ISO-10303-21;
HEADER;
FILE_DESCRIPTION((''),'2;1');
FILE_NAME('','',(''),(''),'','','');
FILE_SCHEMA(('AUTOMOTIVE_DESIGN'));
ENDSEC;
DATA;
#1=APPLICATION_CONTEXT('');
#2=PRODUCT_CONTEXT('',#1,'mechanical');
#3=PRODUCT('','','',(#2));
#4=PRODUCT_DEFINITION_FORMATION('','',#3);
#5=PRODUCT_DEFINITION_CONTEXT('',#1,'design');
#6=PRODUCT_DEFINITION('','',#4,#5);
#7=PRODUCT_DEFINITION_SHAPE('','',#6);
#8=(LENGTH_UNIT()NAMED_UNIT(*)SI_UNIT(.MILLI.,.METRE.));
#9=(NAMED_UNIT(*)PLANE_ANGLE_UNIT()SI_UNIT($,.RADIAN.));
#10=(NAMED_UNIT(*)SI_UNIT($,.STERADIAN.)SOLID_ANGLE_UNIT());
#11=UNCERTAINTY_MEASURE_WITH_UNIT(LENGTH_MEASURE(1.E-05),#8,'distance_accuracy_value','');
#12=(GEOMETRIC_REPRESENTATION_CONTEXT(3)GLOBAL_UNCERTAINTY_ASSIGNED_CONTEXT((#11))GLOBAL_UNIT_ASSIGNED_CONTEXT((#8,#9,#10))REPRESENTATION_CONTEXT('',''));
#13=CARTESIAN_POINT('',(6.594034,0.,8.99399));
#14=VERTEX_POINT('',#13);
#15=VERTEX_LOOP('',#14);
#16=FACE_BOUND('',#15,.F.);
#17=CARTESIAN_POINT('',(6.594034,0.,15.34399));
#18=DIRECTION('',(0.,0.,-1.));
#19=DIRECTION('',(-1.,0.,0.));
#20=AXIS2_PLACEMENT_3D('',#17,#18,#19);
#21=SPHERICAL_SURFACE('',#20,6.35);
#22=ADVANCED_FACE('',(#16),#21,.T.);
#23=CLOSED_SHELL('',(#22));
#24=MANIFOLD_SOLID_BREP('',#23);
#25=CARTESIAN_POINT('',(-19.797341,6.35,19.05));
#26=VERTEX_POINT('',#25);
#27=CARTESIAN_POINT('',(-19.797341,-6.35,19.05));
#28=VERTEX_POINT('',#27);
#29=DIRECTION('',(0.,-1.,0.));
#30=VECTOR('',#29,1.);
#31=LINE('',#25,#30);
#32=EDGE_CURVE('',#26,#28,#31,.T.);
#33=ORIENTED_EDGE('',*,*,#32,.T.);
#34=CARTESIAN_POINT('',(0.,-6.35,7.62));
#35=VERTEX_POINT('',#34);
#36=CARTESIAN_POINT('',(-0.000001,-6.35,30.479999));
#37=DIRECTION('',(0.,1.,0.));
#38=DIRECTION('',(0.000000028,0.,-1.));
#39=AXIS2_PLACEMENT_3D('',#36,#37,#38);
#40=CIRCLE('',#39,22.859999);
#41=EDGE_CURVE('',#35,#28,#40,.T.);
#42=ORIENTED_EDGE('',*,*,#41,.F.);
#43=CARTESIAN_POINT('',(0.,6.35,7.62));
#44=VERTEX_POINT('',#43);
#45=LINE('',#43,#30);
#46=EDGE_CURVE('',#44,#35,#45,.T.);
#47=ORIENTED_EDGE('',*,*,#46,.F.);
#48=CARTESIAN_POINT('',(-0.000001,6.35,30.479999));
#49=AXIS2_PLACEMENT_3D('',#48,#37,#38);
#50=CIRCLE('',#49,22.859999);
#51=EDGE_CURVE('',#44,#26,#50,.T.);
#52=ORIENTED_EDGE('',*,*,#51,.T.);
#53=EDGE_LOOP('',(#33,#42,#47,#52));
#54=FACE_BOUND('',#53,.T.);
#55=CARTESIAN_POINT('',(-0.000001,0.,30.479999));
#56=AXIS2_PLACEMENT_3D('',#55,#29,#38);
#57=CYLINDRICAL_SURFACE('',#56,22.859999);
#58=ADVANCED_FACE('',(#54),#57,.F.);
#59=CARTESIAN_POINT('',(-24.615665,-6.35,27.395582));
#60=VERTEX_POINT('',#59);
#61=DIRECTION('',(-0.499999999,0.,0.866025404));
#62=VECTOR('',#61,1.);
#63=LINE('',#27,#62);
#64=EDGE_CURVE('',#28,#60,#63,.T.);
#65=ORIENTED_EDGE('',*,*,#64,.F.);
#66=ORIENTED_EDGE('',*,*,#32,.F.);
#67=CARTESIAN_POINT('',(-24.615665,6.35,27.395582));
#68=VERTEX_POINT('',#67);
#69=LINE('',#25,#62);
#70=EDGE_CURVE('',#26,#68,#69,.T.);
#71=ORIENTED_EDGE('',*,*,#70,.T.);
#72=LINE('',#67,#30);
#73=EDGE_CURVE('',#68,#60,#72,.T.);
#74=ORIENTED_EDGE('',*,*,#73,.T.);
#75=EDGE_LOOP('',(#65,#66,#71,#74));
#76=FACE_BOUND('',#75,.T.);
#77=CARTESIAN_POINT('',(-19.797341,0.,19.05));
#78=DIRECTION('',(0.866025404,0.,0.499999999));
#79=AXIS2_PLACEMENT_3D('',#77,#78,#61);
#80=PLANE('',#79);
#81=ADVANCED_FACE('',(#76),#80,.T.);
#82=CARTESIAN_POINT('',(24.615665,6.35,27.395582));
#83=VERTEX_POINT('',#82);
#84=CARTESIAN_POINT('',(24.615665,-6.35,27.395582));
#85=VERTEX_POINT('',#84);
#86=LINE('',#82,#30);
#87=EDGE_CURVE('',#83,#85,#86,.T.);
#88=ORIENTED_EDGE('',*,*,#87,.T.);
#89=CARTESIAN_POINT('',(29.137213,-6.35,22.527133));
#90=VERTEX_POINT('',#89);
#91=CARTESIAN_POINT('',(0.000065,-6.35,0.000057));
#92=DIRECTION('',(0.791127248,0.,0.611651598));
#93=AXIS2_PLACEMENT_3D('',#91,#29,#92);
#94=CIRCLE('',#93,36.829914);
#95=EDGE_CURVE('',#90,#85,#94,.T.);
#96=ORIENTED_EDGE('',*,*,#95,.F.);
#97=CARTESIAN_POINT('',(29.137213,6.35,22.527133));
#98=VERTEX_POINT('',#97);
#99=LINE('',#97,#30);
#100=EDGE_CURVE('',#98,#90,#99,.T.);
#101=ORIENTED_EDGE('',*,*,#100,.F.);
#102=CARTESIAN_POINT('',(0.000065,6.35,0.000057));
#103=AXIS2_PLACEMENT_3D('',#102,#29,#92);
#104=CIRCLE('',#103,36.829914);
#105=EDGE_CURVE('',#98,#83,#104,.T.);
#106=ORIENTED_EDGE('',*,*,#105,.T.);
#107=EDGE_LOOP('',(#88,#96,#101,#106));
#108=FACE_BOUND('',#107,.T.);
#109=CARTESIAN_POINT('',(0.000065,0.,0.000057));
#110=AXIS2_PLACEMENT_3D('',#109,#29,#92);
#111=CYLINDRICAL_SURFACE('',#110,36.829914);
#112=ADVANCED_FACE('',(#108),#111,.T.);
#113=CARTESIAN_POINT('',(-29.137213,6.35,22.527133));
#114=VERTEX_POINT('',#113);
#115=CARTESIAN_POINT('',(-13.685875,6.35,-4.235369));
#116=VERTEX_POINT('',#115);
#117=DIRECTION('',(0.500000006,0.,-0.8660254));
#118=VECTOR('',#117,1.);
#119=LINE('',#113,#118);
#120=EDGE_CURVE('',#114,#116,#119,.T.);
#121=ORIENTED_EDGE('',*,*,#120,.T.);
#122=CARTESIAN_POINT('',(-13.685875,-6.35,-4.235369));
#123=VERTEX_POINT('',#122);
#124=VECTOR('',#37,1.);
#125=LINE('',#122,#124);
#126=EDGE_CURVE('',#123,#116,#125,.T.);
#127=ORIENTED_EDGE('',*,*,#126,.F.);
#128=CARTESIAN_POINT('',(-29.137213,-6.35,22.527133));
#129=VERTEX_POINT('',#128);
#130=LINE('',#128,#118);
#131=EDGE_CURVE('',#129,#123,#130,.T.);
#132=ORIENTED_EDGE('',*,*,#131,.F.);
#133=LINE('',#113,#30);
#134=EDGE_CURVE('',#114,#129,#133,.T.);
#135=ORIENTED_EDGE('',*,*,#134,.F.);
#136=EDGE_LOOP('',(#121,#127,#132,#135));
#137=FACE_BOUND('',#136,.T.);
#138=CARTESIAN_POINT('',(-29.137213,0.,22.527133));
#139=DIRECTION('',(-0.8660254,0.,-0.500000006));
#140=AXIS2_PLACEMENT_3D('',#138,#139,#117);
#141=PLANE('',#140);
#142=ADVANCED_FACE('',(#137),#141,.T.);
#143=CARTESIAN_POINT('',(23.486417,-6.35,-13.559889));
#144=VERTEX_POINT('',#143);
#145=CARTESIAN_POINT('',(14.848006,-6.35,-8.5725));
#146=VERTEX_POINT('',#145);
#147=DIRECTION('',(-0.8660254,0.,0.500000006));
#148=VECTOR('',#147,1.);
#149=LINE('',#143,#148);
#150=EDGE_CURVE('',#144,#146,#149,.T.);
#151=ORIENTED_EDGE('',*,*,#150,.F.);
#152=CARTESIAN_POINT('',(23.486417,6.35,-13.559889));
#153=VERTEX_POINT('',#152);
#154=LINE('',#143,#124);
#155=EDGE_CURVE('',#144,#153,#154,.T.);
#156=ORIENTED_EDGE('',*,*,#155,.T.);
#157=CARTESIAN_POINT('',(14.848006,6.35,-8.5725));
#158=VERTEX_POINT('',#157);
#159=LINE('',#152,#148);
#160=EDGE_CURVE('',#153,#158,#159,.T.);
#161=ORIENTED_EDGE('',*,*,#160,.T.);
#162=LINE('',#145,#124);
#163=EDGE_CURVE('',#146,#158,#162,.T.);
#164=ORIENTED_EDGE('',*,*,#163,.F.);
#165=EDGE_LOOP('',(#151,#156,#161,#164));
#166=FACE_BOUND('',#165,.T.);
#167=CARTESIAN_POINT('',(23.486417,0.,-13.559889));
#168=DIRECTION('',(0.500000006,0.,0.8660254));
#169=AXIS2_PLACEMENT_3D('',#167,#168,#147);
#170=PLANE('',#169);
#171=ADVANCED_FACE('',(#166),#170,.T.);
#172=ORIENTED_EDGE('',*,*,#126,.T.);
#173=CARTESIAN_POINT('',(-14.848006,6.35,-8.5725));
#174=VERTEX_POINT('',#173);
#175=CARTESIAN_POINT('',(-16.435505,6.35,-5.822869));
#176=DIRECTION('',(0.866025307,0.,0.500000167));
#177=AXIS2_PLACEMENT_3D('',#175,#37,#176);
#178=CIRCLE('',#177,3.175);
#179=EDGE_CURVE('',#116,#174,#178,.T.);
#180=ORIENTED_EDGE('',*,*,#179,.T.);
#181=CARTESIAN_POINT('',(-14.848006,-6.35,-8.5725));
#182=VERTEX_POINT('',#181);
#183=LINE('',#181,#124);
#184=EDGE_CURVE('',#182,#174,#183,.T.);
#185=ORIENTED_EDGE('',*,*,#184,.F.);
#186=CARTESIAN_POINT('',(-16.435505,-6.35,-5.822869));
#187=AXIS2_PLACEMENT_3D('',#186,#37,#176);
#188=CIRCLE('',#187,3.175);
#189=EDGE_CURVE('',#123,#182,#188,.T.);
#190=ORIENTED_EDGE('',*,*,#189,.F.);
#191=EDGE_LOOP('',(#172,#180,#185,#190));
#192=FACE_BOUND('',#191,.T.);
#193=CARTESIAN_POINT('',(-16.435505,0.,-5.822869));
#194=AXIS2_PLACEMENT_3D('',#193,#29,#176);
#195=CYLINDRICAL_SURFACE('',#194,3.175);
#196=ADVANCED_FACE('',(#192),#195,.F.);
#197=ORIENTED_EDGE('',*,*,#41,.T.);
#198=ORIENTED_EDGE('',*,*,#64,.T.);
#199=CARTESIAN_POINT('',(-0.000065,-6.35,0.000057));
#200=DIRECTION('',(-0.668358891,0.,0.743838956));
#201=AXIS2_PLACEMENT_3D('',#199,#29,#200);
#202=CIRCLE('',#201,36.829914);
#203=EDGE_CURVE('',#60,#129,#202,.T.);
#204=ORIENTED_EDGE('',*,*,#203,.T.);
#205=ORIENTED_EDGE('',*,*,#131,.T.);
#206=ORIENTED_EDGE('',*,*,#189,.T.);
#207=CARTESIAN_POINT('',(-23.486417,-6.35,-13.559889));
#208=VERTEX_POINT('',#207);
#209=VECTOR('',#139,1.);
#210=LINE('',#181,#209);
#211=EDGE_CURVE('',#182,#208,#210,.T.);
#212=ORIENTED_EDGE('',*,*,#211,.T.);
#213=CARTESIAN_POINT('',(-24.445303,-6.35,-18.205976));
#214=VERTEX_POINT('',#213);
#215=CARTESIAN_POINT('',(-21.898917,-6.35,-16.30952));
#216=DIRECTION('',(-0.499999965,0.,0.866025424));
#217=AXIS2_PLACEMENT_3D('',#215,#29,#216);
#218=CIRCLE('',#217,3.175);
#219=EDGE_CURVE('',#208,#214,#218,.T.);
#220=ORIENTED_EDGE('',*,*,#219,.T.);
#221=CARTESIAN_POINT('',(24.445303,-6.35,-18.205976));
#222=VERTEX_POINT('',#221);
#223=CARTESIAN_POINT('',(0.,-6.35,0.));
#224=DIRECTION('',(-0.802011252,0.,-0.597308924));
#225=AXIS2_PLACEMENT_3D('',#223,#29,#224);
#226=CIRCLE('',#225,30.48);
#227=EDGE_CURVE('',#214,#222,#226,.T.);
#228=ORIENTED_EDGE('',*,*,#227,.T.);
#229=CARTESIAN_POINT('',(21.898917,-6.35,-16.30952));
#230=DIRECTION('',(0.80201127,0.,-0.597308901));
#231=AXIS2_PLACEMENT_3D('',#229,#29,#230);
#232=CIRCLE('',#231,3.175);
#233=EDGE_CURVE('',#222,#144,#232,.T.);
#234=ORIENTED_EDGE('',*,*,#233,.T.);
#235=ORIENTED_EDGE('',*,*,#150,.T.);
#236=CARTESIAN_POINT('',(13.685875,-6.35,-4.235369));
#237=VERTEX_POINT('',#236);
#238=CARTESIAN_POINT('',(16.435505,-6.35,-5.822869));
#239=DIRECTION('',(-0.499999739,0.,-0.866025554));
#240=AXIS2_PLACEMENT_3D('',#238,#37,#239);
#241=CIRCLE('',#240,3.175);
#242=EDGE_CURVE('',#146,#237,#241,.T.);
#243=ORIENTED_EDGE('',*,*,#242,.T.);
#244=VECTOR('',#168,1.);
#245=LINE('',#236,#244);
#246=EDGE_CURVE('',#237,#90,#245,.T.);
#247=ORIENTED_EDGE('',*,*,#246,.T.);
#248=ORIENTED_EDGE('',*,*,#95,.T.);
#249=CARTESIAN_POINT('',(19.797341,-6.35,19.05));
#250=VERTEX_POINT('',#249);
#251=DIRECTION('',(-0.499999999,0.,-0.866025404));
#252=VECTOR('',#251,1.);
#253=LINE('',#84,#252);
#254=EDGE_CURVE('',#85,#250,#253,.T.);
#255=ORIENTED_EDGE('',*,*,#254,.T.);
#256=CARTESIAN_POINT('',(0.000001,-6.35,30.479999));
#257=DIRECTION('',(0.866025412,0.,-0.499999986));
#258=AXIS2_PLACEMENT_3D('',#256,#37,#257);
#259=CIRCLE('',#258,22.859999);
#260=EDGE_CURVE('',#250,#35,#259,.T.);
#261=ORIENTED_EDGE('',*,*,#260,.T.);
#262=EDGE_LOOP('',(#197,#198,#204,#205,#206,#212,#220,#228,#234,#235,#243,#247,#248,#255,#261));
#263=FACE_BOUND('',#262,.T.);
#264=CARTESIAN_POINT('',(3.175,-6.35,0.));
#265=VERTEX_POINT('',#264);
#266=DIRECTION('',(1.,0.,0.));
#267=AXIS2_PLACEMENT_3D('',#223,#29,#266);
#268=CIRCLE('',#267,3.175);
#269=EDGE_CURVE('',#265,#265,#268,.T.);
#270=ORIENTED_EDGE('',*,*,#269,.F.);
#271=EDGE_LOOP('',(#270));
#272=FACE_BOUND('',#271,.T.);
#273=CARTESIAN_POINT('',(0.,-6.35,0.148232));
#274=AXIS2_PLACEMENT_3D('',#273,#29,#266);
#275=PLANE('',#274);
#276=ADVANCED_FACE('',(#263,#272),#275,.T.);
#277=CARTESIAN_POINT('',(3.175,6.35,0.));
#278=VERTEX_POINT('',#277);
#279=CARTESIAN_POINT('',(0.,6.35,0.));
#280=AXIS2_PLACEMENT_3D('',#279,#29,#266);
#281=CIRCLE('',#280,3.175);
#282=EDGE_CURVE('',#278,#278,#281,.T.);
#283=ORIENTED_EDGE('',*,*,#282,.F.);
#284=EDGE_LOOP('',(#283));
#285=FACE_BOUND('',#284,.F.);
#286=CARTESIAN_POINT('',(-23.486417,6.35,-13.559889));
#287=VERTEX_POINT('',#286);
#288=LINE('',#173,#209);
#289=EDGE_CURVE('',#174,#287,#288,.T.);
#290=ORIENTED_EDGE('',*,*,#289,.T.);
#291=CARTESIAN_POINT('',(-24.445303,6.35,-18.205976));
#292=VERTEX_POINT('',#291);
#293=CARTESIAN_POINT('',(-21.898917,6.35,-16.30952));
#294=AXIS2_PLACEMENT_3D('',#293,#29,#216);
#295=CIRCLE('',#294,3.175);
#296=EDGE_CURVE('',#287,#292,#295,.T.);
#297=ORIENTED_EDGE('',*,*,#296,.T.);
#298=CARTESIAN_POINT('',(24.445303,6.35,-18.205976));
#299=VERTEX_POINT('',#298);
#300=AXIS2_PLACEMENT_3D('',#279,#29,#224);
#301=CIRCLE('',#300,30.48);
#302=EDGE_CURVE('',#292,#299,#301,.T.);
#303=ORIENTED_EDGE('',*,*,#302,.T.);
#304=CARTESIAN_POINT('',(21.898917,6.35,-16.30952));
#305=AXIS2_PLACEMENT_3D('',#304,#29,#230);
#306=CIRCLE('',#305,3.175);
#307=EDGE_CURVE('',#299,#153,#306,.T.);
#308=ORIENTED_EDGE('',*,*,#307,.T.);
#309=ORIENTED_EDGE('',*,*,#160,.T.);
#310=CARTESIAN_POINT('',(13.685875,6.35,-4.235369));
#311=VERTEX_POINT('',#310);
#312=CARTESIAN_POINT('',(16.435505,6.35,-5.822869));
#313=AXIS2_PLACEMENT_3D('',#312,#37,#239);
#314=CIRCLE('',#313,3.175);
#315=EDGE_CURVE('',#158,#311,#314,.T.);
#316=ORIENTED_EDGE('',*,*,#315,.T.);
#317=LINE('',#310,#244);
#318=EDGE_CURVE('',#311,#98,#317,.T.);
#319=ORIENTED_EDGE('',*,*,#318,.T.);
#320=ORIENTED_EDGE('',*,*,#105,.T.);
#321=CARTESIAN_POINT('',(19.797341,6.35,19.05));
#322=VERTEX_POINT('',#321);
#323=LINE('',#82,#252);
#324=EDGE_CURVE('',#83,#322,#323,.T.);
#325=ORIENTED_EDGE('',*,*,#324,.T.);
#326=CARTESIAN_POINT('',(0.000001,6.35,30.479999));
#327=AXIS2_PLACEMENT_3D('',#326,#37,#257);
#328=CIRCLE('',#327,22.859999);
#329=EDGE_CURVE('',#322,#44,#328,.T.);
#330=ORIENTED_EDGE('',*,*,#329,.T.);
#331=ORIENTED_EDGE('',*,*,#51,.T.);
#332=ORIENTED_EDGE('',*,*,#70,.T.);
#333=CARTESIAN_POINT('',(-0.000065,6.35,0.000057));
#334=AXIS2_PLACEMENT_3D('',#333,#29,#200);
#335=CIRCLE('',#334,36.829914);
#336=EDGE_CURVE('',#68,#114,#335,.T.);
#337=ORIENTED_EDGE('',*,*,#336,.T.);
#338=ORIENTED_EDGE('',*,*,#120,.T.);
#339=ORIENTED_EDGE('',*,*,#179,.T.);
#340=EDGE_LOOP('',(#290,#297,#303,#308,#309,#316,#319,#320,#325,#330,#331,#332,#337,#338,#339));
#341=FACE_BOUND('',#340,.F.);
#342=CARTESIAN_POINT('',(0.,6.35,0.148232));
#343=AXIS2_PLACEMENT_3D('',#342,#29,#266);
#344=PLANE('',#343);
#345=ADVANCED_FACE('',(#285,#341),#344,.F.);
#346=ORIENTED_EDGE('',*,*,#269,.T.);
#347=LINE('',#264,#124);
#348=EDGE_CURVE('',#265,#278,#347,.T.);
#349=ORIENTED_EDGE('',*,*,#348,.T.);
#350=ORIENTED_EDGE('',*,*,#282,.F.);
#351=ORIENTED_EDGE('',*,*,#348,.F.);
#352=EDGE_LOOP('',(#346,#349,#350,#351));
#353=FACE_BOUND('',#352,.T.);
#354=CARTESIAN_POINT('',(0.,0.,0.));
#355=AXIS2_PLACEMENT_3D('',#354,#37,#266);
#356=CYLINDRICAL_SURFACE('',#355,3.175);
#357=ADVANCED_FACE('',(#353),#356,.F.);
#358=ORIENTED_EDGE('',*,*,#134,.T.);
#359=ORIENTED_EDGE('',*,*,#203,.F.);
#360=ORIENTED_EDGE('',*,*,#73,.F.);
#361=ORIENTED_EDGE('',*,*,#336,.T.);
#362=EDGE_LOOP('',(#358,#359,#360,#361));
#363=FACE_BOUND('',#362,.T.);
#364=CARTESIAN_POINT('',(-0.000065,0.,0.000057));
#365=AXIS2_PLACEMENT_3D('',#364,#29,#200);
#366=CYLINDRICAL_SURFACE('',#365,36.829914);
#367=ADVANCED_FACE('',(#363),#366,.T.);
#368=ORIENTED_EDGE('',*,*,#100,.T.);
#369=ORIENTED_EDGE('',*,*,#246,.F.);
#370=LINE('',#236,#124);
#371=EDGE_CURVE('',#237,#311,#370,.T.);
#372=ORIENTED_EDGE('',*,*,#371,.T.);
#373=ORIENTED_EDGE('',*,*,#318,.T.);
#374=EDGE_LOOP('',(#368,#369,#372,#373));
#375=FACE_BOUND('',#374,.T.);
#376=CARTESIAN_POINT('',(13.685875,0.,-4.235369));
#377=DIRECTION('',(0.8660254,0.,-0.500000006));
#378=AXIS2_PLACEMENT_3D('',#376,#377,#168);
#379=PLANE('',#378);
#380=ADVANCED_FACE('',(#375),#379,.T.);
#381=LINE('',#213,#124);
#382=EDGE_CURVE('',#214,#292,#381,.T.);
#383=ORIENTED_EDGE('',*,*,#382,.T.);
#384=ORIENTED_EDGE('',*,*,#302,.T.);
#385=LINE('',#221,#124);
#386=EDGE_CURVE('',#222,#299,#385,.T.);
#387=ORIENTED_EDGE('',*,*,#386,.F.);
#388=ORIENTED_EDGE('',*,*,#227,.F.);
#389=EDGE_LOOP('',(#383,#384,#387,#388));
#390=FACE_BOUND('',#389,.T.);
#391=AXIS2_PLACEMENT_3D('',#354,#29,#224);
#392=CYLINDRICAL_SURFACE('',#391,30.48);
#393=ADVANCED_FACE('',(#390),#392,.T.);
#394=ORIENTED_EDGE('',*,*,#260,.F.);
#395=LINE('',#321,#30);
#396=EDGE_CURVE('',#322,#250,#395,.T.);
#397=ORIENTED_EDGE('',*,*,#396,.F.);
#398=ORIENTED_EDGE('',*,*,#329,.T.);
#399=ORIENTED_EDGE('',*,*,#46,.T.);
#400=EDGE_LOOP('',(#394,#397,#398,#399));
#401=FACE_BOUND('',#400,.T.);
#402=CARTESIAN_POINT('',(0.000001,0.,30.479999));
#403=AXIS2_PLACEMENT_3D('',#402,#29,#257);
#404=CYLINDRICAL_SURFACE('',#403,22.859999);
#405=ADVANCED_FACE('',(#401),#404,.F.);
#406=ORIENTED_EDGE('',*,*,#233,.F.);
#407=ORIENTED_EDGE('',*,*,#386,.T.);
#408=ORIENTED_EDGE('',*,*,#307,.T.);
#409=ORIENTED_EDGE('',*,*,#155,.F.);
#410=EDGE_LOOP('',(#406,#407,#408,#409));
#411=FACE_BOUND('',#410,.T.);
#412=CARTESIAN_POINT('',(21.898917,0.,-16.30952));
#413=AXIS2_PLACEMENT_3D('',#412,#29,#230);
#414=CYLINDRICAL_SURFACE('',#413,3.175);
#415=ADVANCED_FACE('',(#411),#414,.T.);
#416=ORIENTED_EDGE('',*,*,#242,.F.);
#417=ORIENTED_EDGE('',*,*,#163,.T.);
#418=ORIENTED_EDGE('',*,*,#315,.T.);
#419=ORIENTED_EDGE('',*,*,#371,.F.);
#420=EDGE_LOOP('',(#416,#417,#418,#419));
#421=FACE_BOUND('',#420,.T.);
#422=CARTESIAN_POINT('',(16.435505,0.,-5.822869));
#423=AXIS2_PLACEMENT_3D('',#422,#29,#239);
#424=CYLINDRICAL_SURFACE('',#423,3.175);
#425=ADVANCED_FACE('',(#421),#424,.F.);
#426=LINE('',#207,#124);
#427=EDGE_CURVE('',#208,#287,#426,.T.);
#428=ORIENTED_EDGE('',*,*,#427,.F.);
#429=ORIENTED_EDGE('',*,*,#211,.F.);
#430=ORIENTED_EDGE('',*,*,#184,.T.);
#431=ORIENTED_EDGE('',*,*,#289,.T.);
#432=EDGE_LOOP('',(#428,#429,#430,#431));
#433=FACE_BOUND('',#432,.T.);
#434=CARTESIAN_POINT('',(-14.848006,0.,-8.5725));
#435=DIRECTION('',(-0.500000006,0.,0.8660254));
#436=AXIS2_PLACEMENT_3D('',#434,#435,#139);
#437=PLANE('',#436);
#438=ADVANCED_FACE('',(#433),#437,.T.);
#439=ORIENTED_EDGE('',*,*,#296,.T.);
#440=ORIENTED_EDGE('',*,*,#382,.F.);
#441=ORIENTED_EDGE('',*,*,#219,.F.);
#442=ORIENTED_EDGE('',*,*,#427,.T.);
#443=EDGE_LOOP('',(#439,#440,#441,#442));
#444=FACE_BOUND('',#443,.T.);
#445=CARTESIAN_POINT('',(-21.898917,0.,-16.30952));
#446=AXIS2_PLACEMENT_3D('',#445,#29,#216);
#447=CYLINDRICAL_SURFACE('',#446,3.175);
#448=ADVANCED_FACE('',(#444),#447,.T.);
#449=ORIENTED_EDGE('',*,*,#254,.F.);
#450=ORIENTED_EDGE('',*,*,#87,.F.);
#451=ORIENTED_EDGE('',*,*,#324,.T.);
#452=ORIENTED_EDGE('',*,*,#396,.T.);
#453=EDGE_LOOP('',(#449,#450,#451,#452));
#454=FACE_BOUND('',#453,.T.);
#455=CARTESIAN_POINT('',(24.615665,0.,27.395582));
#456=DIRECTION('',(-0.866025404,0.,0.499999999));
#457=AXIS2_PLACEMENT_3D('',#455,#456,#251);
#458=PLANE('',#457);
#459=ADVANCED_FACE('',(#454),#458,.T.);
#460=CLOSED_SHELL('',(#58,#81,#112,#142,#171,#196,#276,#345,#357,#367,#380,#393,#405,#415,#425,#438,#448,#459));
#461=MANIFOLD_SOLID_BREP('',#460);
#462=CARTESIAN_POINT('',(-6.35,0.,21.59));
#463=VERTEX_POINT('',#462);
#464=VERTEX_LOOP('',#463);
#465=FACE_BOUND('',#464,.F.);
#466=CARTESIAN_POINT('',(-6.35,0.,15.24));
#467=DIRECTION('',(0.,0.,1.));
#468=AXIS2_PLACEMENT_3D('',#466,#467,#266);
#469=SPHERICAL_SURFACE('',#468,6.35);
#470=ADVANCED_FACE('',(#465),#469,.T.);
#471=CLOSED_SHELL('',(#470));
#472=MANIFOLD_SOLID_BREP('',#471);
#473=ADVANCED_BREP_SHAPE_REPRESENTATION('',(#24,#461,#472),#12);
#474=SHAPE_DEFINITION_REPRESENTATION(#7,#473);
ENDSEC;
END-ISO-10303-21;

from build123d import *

# Parameters (mm, degrees)
F0_R     = 3.175
F1_DEPTH = 6.35


with BuildPart() as f1:
    # F0 (on Front) → F1 (new body, symmetric)
    with BuildSketch(Plane.XZ):
        with BuildLine():
            Line((13.685875, -4.235369), (29.137213, 22.527133))
            ThreePointArc((29.137213, 22.527133), (26.986449, 25.063529), (24.615665, 27.395582))
            Line((24.615665, 27.395582), (19.797341, 19.05))
            ThreePointArc((19.797341, 19.05), (11.43, 10.682659), (0, 7.62))
            ThreePointArc((0, 7.62), (-11.43, 10.682659), (-19.797341, 19.05))
            Line((-19.797341, 19.05), (-24.615665, 27.395582))
            ThreePointArc((-24.615665, 27.395582), (-26.986449, 25.063529), (-29.137213, 22.527133))
            Line((-29.137213, 22.527133), (-13.685875, -4.235369))
            ThreePointArc((-13.685875, -4.235369), (-13.368691, -6.64462), (-14.848006, -8.5725))
            Line((-14.848006, -8.5725), (-23.486417, -13.559889))
            ThreePointArc((-23.486417, -13.559889), (-25.008384, -15.667771), (-24.445303, -18.205976))
            ThreePointArc((-24.445303, -18.205976), (0, -30.48), (24.445303, -18.205976))
            ThreePointArc((24.445303, -18.205976), (25.008384, -15.667771), (23.486417, -13.559889))
            Line((23.486417, -13.559889), (14.848006, -8.5725))
            ThreePointArc((14.848006, -8.5725), (13.368691, -6.64462), (13.685875, -4.235369))
        make_face()
        Circle(F0_R, mode=Mode.SUBTRACT)
    extrude(amount=F1_DEPTH, both=True)


with BuildPart() as f3:
    # F2 (on Front) → F3 (revolve)
    with BuildSketch(Plane.XZ):
        with BuildLine():
            Line((6.594034, 8.99399), (6.594034, 21.69399))
            ThreePointArc((6.594034, 21.69399), (0.244034, 15.34399), (6.594034, 8.99399))
        make_face()
    revolve(axis=Axis((6.594034, 0, 15.34399), (0, 0, 1)))


with BuildPart() as f5:
    # F4 (on Front) → F5 (revolve)
    with BuildSketch(Plane.XZ):
        with BuildLine():
            Line((-6.35, 21.59), (-6.35, 8.89))
            ThreePointArc((-6.35, 8.89), (0, 15.24), (-6.35, 21.59))
        make_face()
    revolve(axis=Axis((-6.35, 0, 15.24), (0, 0, -1)))


solid = Compound([f1.part, f3.part, f5.part])
